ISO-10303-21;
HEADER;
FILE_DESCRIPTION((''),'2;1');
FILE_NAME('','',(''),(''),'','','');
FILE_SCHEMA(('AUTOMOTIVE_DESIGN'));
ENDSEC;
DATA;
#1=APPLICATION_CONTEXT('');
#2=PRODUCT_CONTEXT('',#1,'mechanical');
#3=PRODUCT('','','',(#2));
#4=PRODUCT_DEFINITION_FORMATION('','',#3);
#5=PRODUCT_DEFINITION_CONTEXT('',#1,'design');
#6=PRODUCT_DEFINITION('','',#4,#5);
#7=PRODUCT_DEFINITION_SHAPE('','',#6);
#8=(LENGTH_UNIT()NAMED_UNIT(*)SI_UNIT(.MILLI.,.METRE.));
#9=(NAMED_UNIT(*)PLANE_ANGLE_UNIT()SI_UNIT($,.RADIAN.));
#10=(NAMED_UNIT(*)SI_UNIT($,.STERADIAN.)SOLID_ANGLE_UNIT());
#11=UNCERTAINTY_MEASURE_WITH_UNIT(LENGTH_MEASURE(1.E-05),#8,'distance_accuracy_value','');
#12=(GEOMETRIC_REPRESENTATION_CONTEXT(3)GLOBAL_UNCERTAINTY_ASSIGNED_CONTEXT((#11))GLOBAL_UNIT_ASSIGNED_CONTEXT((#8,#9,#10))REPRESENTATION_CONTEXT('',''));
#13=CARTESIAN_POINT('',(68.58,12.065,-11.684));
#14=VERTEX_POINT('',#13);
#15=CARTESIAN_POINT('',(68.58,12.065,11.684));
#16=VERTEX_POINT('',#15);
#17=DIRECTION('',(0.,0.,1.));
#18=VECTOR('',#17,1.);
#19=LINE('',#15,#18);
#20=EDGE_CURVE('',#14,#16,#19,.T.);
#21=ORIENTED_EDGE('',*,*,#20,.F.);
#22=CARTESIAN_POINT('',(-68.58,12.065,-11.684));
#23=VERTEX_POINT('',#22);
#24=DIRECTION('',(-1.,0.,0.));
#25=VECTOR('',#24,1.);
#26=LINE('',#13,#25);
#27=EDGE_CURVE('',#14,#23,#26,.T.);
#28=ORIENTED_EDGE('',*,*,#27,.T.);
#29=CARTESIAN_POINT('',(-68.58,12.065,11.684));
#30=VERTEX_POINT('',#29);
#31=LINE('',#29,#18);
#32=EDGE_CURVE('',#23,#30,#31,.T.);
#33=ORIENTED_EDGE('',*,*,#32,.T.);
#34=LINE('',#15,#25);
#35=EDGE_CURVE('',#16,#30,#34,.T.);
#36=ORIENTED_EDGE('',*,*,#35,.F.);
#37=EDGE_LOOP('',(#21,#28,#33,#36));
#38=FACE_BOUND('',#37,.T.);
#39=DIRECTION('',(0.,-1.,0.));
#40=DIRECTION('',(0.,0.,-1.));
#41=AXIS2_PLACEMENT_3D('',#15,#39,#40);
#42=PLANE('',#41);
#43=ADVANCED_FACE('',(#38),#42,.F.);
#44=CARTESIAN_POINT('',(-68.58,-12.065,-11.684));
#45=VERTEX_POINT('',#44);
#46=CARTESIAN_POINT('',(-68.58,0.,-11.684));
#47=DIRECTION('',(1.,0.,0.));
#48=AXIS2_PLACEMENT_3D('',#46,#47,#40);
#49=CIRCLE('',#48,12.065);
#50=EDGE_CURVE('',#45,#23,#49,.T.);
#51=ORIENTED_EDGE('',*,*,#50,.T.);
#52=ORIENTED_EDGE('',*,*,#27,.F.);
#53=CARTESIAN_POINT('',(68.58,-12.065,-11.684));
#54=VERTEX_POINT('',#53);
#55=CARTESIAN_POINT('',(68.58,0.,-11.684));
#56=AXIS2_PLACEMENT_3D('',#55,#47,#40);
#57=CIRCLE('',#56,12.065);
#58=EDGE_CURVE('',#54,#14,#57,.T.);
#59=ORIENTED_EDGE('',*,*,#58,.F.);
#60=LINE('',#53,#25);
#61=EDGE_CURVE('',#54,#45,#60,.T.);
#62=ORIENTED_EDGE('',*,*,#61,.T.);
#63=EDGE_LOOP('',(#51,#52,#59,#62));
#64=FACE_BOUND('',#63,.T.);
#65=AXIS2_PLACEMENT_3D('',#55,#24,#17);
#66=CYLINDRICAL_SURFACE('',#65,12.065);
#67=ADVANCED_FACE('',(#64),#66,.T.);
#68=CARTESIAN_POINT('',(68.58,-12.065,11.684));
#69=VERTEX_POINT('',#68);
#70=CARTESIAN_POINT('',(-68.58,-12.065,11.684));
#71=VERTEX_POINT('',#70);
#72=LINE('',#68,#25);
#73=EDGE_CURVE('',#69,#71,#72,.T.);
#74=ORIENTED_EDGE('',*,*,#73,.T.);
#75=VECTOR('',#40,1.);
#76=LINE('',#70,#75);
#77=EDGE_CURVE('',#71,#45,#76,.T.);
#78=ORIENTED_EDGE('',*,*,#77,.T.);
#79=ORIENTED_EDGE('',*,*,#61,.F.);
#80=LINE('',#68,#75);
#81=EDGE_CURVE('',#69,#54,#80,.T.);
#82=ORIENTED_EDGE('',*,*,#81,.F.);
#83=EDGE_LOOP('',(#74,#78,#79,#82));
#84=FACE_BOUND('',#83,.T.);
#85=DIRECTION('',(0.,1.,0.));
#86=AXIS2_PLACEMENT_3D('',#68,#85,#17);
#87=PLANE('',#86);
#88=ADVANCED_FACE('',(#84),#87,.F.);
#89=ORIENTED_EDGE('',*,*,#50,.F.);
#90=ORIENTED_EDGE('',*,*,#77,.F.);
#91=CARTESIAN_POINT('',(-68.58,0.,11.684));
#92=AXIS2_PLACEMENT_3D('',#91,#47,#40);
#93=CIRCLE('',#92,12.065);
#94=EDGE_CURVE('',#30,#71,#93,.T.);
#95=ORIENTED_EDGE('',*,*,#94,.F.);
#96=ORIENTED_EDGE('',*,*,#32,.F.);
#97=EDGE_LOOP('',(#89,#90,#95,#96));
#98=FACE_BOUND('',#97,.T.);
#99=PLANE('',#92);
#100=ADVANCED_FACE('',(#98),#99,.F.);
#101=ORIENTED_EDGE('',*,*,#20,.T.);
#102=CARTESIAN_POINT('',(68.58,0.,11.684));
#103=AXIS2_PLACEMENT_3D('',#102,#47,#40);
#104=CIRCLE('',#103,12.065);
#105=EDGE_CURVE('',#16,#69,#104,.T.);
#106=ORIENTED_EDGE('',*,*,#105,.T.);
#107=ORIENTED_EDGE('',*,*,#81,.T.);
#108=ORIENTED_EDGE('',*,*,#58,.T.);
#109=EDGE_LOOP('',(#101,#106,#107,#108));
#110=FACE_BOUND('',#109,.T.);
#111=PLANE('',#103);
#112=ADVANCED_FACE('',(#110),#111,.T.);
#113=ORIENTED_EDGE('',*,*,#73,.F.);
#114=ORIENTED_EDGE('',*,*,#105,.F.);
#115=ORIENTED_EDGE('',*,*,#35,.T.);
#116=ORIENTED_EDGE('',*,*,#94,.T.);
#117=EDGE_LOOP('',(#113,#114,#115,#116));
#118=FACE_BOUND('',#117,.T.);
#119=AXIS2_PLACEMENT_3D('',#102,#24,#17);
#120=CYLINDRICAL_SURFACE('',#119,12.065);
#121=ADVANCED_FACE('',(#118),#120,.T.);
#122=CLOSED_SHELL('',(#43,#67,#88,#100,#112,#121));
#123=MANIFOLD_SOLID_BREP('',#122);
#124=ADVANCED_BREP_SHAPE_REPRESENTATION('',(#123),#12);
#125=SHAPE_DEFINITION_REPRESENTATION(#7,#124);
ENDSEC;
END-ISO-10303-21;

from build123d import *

# Parameters (mm, degrees)
BOSS_EXTRUDE1_DEPTH = 68.58


with BuildPart() as part:
    # Sketch1 → Boss-Extrude1 (new body, symmetric)
    with BuildSketch(Plane(origin=(0, 0, 0), x_dir=(0, 0, -1), z_dir=(1, 0, 0))):
        with BuildLine():
            Line((-11.684, 12.065), (11.684, 12.065))
            ThreePointArc((11.684, 12.065), (23.749, 0), (11.684, -12.065))
            Line((11.684, -12.065), (-11.684, -12.065))
            ThreePointArc((-11.684, -12.065), (-23.749, 0), (-11.684, 12.065))
        make_face()
    extrude(amount=BOSS_EXTRUDE1_DEPTH, both=True)


solid = part.part
